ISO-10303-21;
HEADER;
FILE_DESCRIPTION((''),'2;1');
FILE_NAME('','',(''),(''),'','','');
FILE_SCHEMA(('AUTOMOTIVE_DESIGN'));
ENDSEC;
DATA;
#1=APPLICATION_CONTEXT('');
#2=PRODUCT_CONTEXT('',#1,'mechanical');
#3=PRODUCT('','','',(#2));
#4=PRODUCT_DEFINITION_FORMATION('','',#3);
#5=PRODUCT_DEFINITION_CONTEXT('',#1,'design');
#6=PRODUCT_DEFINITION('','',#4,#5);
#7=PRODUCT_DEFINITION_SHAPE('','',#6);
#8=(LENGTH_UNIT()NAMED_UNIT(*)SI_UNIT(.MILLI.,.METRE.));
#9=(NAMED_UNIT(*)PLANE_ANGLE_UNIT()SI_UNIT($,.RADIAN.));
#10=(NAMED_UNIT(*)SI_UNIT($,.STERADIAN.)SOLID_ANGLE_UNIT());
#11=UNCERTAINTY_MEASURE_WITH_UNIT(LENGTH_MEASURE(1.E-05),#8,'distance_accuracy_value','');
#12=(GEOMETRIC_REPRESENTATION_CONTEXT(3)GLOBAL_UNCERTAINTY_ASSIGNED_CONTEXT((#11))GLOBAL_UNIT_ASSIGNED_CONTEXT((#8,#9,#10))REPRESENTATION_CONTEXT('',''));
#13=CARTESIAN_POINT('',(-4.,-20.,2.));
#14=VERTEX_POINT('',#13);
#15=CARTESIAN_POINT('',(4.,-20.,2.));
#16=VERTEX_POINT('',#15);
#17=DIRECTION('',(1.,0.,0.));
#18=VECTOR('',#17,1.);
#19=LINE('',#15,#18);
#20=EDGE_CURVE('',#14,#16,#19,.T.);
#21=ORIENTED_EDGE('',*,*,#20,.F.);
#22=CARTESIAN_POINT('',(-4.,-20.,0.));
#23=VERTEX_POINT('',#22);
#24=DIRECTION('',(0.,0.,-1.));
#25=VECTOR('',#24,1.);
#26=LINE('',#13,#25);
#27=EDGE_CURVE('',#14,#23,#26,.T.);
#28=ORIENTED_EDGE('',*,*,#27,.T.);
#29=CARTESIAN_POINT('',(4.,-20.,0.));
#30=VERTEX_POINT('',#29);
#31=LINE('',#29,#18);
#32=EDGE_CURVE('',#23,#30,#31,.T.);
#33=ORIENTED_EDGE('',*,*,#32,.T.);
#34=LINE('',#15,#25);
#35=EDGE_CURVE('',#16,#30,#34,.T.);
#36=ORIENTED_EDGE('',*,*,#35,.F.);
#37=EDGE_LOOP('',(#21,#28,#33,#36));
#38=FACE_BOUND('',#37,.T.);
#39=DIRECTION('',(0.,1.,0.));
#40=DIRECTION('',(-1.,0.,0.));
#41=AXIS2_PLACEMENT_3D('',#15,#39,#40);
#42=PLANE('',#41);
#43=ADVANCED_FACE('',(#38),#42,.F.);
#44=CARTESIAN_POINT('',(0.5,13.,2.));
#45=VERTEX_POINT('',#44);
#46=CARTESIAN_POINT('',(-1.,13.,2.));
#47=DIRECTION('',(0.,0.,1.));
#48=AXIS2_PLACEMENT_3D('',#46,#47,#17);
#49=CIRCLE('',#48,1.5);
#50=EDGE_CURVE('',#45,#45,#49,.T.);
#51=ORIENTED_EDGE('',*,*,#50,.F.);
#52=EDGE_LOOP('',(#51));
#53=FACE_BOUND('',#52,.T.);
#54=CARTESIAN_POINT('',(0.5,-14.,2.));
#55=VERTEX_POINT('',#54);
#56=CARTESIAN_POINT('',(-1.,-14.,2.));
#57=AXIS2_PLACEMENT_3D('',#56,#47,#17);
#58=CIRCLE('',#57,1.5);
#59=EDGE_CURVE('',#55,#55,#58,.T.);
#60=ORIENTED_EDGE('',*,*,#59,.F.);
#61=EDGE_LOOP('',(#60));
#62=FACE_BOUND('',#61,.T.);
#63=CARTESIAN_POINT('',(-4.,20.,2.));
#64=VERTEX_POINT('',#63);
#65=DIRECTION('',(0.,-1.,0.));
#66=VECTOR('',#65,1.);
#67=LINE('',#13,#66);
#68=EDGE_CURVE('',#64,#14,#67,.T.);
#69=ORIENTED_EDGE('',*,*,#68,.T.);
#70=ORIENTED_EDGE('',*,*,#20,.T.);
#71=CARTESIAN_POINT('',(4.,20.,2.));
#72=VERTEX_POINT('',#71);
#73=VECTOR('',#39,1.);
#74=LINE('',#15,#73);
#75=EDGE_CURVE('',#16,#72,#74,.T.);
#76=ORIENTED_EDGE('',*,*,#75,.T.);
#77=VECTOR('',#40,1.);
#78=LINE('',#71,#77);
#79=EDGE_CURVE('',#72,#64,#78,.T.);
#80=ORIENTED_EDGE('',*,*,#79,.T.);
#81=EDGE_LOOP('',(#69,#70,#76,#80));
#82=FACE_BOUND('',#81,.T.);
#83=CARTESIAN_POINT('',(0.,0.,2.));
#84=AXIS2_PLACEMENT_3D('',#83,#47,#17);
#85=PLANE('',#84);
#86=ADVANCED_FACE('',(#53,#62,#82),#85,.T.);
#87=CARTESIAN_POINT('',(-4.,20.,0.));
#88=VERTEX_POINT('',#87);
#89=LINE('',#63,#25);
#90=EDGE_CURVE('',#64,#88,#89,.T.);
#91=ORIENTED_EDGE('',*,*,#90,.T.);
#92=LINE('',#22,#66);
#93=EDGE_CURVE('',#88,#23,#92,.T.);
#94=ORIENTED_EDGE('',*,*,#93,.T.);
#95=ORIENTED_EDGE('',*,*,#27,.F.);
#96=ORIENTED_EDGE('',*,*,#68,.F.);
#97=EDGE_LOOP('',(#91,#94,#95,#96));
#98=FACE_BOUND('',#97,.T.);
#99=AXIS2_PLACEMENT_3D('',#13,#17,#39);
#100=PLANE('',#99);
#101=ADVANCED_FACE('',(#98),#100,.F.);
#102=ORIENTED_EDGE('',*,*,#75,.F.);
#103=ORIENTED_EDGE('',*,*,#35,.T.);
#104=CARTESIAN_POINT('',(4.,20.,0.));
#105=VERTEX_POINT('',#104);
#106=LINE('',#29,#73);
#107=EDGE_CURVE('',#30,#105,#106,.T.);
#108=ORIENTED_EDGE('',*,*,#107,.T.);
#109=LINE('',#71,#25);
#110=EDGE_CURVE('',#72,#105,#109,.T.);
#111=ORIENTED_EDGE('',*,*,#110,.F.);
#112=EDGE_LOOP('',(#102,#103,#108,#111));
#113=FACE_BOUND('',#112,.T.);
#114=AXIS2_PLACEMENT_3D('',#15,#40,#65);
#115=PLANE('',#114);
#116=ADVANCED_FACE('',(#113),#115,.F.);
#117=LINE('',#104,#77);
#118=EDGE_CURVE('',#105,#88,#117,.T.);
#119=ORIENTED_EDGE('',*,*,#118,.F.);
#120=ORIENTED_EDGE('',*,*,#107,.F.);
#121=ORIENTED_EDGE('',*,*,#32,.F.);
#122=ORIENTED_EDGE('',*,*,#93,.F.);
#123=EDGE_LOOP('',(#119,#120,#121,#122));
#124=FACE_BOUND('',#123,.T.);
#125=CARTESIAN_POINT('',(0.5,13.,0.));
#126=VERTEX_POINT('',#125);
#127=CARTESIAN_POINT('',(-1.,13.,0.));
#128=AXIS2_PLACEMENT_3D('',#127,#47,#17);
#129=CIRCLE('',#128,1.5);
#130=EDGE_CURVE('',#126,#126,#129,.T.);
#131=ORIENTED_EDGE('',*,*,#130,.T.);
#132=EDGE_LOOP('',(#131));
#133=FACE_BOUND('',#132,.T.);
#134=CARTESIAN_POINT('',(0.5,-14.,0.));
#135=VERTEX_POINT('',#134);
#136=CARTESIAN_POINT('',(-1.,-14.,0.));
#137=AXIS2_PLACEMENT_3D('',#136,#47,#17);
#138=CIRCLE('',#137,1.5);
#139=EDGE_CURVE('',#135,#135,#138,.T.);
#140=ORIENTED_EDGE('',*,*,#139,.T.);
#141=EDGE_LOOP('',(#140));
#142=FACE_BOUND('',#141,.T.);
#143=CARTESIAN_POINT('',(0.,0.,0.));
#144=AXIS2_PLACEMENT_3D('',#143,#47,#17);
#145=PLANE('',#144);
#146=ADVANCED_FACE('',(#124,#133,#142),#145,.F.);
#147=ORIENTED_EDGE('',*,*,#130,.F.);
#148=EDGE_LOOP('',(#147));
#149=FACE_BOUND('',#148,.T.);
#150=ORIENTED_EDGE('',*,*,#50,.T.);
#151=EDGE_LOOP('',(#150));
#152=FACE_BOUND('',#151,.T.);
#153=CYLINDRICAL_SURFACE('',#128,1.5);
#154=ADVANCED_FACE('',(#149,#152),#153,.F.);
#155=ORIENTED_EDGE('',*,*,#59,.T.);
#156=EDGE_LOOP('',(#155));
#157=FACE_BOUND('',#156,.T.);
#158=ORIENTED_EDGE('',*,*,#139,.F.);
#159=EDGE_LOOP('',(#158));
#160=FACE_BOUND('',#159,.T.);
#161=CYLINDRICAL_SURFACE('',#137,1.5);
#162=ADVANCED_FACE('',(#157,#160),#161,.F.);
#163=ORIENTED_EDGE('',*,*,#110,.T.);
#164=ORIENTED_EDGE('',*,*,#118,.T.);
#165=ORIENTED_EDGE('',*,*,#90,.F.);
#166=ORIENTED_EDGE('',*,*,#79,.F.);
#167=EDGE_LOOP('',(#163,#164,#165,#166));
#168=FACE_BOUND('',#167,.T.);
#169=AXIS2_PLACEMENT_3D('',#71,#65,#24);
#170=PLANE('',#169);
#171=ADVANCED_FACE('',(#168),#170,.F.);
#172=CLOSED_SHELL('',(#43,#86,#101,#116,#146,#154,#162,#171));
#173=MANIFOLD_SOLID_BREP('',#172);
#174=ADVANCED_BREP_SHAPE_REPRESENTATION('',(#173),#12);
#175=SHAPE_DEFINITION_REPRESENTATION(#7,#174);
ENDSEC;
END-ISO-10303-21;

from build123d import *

# Parameters (mm, degrees)
SKETCH1_W           = 8
SKETCH1_H           = 40
BOSS_EXTRUDE1_DEPTH = 2
SKETCH2_R           = 1.5
CUT_EXTRUDE1_DEPTH  = 2


with BuildPart() as part:
    # Sketch1 → Boss-Extrude1 (new body)
    with BuildSketch(Plane.XY):
        Rectangle(SKETCH1_W, SKETCH1_H)
    extrude(amount=BOSS_EXTRUDE1_DEPTH)

    # Sketch2 → Cut-Extrude1 (cut)
    with BuildSketch(Plane.XY.offset(2)):
        with Locations((-1, -14)):
            Circle(SKETCH2_R)
        with Locations((-1, 13)):
            Circle(SKETCH2_R)
    extrude(amount=-CUT_EXTRUDE1_DEPTH, mode=Mode.SUBTRACT)


solid = part.part
